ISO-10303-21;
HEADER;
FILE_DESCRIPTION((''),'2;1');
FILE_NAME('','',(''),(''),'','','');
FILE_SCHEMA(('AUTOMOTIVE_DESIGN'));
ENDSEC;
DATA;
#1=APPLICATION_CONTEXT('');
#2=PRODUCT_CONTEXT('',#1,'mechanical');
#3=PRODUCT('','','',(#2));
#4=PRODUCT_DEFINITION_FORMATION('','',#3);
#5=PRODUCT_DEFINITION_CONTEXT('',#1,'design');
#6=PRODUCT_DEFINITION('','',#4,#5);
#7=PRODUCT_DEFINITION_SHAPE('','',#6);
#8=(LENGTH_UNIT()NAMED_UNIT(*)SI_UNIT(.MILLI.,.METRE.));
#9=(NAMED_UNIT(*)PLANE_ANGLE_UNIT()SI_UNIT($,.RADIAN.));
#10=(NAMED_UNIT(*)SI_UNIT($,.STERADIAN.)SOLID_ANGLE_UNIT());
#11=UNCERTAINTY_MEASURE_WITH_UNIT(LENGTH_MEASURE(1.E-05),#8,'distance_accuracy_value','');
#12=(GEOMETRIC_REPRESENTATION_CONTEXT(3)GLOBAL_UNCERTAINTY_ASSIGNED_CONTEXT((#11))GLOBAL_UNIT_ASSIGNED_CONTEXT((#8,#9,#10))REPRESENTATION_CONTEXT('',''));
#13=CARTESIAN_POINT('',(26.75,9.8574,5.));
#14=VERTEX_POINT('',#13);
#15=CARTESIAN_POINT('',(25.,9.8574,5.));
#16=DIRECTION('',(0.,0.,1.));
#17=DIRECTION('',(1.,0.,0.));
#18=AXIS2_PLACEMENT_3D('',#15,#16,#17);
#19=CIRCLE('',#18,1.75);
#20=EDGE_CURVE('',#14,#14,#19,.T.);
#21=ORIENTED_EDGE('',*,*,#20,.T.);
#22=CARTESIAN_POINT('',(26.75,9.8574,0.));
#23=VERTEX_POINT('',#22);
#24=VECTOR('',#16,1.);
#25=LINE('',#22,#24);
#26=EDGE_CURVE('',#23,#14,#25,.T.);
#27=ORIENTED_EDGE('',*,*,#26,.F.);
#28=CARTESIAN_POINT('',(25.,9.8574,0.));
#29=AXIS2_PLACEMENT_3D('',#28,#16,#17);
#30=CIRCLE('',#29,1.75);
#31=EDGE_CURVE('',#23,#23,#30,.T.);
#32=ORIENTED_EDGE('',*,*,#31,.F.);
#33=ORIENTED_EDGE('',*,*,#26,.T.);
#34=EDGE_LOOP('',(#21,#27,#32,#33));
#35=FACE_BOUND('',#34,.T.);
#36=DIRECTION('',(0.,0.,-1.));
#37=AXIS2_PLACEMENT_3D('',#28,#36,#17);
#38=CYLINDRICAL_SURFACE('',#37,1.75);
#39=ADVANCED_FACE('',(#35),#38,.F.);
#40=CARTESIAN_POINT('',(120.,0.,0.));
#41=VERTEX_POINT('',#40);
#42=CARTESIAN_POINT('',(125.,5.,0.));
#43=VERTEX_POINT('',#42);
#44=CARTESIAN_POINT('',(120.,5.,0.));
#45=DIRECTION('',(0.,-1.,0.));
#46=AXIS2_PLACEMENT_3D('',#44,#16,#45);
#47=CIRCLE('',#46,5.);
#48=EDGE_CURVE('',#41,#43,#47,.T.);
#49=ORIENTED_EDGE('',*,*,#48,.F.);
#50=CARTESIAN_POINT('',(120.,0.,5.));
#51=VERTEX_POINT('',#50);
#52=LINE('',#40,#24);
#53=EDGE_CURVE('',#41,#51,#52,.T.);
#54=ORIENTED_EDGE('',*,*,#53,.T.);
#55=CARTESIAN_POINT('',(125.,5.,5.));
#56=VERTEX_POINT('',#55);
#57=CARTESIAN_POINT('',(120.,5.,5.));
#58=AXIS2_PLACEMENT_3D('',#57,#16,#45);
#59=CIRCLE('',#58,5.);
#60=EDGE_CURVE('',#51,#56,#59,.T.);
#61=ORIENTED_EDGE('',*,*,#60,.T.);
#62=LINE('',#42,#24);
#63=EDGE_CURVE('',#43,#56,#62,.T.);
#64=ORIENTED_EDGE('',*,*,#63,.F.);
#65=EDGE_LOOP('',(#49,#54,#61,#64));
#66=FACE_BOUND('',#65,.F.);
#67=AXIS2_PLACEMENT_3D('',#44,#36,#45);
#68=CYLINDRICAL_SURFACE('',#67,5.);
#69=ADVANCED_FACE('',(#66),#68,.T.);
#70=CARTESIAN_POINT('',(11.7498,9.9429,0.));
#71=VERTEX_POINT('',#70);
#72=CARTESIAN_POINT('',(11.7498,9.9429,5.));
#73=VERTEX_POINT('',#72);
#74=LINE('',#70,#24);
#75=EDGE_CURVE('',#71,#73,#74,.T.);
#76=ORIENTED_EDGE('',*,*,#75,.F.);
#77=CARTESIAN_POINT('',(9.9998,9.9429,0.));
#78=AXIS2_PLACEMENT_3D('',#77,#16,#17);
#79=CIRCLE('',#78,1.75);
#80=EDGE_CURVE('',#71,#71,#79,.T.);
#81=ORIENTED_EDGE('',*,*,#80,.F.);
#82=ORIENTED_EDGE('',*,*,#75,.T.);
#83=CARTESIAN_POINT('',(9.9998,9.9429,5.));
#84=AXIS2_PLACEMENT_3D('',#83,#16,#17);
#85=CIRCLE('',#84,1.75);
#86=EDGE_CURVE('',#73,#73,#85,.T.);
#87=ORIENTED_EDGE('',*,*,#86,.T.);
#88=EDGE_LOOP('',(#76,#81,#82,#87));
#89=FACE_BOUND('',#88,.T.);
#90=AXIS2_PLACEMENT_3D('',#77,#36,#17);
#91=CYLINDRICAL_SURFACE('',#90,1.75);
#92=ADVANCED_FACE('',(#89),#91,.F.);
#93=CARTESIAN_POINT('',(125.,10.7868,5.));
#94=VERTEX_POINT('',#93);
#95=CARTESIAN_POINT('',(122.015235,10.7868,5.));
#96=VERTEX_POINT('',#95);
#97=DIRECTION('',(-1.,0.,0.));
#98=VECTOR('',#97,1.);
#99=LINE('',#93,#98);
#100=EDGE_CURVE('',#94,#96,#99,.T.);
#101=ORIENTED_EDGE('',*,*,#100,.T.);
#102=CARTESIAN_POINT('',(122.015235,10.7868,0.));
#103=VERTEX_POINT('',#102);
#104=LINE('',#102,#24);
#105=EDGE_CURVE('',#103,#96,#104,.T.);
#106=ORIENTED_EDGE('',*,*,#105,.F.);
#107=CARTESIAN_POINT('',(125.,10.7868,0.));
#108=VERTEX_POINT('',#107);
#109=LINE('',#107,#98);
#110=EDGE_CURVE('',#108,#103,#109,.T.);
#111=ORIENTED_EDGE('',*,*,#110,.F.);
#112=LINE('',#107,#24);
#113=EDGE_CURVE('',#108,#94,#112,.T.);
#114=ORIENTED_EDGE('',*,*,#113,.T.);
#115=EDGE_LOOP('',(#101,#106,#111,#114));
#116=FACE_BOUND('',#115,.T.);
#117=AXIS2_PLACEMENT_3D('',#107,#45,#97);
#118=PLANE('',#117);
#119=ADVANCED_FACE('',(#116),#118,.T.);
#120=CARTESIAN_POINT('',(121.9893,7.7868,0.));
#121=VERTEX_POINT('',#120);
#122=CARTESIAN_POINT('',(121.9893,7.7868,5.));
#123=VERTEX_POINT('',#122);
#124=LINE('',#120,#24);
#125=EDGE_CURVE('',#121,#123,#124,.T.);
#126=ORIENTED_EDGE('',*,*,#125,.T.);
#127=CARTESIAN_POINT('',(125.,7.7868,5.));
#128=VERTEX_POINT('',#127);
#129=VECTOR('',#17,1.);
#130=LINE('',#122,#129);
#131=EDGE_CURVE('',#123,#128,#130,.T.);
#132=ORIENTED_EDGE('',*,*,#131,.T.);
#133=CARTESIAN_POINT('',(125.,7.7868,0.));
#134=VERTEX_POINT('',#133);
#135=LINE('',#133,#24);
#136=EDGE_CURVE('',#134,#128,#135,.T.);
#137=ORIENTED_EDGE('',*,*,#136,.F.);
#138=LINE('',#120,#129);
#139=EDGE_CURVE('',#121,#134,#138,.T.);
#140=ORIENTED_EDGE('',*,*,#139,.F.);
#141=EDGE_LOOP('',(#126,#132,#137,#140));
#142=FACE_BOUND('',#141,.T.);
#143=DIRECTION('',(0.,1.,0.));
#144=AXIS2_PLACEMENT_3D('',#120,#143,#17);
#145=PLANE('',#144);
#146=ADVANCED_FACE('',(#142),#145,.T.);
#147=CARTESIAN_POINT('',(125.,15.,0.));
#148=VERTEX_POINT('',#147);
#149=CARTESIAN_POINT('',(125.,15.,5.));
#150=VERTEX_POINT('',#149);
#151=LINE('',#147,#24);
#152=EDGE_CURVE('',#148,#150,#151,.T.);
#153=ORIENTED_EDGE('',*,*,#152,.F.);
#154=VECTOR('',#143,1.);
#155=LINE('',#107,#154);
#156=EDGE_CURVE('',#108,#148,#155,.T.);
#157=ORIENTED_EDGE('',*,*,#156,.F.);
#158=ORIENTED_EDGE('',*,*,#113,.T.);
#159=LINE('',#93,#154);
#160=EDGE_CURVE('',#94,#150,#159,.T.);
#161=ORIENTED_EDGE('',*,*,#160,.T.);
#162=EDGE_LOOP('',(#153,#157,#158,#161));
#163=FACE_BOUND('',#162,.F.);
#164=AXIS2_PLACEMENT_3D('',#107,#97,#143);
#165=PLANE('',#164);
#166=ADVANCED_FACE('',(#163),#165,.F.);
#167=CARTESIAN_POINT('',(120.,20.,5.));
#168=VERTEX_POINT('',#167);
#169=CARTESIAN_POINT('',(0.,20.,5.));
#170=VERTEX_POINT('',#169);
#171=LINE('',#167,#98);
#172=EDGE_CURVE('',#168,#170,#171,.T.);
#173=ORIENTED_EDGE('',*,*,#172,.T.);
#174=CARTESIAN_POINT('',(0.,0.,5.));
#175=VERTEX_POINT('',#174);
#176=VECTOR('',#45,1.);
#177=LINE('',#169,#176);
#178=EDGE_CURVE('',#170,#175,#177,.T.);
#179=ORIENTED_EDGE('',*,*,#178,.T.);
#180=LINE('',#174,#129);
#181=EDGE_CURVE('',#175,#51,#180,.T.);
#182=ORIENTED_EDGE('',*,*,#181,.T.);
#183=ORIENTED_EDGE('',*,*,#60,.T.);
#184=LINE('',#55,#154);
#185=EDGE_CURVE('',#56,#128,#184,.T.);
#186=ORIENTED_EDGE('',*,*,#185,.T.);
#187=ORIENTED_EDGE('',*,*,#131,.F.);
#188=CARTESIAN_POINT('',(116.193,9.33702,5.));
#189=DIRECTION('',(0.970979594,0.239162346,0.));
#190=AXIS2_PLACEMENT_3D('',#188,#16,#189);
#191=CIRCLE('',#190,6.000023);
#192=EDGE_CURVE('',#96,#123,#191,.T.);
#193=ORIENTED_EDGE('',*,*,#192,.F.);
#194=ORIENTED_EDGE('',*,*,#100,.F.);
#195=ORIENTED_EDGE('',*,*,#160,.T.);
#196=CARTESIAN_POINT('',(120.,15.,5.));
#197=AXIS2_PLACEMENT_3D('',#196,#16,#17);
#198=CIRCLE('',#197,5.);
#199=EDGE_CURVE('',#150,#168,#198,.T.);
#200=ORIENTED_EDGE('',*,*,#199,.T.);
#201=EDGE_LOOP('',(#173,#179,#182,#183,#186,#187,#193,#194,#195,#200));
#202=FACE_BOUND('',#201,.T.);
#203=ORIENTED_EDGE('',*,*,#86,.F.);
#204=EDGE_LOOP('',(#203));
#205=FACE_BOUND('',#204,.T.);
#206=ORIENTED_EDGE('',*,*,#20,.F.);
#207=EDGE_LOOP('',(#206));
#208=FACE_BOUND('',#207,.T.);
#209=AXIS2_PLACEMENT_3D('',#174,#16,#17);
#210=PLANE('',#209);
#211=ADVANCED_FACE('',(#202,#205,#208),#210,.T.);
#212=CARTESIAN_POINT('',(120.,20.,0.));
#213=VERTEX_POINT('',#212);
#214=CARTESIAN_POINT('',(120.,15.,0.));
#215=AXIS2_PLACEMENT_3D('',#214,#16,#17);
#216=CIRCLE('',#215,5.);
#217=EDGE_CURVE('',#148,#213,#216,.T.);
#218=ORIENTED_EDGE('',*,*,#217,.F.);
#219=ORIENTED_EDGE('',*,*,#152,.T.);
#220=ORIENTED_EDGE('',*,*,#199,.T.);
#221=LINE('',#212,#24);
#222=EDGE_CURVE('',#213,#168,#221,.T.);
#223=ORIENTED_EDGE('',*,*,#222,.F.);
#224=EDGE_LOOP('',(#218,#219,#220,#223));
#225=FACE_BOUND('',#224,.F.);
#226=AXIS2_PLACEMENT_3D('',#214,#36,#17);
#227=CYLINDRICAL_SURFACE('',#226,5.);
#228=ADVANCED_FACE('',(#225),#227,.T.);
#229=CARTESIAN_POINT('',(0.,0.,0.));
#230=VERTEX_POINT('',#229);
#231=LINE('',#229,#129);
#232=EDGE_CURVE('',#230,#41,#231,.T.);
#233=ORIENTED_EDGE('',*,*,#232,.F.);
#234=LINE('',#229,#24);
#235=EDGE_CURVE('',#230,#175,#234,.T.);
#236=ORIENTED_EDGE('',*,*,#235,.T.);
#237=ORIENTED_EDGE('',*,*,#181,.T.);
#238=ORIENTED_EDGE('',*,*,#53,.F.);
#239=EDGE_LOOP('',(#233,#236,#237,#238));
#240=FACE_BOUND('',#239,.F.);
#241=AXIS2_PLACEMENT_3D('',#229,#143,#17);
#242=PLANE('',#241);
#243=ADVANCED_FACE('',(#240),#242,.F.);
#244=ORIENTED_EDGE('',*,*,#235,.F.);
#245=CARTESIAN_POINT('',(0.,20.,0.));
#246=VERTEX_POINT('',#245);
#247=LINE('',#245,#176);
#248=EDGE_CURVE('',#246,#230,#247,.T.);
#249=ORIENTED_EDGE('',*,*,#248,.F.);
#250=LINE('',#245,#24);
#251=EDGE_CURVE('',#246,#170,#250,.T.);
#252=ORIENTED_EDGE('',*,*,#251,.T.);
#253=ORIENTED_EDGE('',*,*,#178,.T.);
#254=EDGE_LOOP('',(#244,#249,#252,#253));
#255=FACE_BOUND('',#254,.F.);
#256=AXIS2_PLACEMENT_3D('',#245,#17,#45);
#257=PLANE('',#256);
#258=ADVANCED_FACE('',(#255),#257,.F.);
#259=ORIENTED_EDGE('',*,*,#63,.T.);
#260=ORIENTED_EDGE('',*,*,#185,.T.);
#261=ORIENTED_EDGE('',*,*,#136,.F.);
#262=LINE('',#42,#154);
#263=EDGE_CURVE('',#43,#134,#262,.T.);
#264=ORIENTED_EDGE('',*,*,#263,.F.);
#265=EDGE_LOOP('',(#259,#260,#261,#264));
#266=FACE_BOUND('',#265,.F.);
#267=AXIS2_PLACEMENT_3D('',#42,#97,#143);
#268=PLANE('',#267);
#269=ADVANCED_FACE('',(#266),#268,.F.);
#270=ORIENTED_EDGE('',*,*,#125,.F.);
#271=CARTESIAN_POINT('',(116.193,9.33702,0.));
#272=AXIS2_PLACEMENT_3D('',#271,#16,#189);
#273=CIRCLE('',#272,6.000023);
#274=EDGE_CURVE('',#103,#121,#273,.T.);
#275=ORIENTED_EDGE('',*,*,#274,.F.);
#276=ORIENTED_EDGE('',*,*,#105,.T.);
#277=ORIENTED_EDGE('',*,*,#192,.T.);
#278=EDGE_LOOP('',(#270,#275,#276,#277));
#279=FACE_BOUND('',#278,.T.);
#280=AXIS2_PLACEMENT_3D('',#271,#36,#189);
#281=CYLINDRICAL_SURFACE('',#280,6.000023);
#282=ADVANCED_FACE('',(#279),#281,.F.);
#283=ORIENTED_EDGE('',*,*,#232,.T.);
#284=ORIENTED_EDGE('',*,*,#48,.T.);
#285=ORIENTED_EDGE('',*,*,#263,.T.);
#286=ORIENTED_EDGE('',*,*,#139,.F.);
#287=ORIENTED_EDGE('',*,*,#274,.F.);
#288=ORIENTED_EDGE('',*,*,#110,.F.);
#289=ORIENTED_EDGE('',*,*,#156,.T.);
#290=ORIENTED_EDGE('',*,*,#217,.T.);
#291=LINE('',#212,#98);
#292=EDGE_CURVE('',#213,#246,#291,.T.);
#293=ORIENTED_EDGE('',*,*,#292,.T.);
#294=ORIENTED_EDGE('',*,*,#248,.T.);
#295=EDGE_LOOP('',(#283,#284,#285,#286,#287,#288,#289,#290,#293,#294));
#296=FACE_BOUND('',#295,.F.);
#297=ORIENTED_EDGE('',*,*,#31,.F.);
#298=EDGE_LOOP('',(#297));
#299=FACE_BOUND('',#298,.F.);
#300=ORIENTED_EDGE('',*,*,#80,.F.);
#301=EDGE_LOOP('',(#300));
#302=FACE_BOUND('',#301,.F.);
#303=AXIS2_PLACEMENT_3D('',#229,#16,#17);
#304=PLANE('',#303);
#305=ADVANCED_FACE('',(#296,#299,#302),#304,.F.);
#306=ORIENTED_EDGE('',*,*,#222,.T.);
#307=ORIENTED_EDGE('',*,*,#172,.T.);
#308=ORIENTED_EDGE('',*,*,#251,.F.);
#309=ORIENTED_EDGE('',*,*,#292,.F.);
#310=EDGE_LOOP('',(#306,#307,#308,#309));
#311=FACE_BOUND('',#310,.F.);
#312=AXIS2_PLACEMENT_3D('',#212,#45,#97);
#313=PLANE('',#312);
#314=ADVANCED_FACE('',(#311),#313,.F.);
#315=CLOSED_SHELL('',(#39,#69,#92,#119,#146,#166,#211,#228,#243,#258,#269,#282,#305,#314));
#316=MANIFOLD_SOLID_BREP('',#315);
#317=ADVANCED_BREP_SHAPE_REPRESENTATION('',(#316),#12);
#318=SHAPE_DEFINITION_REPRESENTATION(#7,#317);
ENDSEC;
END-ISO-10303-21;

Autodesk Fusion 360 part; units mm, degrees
sketch "Sketch1" plane through (0, 0, 0) normal (0, 0, 1) x (1, 0, 0)
  line L0 (0, 0) -> (120, 0)
  line L1 (120, 20) -> (0, 20)
  line L2 (0, 20) -> (0, 0)
  line L3 (0, 10) -> (125, 9.2868) construction
  circle A0 centre (9.9998, 9.9429) radius 1.75
  circle A1 centre (25, 9.8574) radius 1.75
  arc A2 (125, 15) -> (120, 20) centre (120, 15) ccw
  arc A3 (120, 0) -> (125, 5) centre (120, 5) ccw
  line L4 (121.9893, 7.7868) -> (125, 7.7868)
  line L5 (125, 10.7868) -> (121.9893, 10.7868)
  line L6 (121.9893, 7.7868) -> (128.0107, 10.7868) construction
  line L7 (128.0107, 7.7868) -> (121.9893, 10.7868) construction
  line L8 (125, 5) -> (125, 7.7868)
  line L9 (125, 10.7868) -> (125, 15)
  arc A4 (122.0189, 10.772) -> (121.9893, 7.7868) centre (116.193, 9.337) ccw
  point P0 (125, 20)
  point P1 (125, 9.2868)
  dimension "d1" = 20
  dimension "d2" = 125
  dimension "d3" = 3.5
  dimension "d4" = 3.5
  dimension "d5" = 10
  dimension "d6" = 25
  dimension "d7" = 5
  dimension "d8" = 12
  dimension "d9" = 3
extrude "Extrude1" add sketch "Sketch1" along normal blind 5
